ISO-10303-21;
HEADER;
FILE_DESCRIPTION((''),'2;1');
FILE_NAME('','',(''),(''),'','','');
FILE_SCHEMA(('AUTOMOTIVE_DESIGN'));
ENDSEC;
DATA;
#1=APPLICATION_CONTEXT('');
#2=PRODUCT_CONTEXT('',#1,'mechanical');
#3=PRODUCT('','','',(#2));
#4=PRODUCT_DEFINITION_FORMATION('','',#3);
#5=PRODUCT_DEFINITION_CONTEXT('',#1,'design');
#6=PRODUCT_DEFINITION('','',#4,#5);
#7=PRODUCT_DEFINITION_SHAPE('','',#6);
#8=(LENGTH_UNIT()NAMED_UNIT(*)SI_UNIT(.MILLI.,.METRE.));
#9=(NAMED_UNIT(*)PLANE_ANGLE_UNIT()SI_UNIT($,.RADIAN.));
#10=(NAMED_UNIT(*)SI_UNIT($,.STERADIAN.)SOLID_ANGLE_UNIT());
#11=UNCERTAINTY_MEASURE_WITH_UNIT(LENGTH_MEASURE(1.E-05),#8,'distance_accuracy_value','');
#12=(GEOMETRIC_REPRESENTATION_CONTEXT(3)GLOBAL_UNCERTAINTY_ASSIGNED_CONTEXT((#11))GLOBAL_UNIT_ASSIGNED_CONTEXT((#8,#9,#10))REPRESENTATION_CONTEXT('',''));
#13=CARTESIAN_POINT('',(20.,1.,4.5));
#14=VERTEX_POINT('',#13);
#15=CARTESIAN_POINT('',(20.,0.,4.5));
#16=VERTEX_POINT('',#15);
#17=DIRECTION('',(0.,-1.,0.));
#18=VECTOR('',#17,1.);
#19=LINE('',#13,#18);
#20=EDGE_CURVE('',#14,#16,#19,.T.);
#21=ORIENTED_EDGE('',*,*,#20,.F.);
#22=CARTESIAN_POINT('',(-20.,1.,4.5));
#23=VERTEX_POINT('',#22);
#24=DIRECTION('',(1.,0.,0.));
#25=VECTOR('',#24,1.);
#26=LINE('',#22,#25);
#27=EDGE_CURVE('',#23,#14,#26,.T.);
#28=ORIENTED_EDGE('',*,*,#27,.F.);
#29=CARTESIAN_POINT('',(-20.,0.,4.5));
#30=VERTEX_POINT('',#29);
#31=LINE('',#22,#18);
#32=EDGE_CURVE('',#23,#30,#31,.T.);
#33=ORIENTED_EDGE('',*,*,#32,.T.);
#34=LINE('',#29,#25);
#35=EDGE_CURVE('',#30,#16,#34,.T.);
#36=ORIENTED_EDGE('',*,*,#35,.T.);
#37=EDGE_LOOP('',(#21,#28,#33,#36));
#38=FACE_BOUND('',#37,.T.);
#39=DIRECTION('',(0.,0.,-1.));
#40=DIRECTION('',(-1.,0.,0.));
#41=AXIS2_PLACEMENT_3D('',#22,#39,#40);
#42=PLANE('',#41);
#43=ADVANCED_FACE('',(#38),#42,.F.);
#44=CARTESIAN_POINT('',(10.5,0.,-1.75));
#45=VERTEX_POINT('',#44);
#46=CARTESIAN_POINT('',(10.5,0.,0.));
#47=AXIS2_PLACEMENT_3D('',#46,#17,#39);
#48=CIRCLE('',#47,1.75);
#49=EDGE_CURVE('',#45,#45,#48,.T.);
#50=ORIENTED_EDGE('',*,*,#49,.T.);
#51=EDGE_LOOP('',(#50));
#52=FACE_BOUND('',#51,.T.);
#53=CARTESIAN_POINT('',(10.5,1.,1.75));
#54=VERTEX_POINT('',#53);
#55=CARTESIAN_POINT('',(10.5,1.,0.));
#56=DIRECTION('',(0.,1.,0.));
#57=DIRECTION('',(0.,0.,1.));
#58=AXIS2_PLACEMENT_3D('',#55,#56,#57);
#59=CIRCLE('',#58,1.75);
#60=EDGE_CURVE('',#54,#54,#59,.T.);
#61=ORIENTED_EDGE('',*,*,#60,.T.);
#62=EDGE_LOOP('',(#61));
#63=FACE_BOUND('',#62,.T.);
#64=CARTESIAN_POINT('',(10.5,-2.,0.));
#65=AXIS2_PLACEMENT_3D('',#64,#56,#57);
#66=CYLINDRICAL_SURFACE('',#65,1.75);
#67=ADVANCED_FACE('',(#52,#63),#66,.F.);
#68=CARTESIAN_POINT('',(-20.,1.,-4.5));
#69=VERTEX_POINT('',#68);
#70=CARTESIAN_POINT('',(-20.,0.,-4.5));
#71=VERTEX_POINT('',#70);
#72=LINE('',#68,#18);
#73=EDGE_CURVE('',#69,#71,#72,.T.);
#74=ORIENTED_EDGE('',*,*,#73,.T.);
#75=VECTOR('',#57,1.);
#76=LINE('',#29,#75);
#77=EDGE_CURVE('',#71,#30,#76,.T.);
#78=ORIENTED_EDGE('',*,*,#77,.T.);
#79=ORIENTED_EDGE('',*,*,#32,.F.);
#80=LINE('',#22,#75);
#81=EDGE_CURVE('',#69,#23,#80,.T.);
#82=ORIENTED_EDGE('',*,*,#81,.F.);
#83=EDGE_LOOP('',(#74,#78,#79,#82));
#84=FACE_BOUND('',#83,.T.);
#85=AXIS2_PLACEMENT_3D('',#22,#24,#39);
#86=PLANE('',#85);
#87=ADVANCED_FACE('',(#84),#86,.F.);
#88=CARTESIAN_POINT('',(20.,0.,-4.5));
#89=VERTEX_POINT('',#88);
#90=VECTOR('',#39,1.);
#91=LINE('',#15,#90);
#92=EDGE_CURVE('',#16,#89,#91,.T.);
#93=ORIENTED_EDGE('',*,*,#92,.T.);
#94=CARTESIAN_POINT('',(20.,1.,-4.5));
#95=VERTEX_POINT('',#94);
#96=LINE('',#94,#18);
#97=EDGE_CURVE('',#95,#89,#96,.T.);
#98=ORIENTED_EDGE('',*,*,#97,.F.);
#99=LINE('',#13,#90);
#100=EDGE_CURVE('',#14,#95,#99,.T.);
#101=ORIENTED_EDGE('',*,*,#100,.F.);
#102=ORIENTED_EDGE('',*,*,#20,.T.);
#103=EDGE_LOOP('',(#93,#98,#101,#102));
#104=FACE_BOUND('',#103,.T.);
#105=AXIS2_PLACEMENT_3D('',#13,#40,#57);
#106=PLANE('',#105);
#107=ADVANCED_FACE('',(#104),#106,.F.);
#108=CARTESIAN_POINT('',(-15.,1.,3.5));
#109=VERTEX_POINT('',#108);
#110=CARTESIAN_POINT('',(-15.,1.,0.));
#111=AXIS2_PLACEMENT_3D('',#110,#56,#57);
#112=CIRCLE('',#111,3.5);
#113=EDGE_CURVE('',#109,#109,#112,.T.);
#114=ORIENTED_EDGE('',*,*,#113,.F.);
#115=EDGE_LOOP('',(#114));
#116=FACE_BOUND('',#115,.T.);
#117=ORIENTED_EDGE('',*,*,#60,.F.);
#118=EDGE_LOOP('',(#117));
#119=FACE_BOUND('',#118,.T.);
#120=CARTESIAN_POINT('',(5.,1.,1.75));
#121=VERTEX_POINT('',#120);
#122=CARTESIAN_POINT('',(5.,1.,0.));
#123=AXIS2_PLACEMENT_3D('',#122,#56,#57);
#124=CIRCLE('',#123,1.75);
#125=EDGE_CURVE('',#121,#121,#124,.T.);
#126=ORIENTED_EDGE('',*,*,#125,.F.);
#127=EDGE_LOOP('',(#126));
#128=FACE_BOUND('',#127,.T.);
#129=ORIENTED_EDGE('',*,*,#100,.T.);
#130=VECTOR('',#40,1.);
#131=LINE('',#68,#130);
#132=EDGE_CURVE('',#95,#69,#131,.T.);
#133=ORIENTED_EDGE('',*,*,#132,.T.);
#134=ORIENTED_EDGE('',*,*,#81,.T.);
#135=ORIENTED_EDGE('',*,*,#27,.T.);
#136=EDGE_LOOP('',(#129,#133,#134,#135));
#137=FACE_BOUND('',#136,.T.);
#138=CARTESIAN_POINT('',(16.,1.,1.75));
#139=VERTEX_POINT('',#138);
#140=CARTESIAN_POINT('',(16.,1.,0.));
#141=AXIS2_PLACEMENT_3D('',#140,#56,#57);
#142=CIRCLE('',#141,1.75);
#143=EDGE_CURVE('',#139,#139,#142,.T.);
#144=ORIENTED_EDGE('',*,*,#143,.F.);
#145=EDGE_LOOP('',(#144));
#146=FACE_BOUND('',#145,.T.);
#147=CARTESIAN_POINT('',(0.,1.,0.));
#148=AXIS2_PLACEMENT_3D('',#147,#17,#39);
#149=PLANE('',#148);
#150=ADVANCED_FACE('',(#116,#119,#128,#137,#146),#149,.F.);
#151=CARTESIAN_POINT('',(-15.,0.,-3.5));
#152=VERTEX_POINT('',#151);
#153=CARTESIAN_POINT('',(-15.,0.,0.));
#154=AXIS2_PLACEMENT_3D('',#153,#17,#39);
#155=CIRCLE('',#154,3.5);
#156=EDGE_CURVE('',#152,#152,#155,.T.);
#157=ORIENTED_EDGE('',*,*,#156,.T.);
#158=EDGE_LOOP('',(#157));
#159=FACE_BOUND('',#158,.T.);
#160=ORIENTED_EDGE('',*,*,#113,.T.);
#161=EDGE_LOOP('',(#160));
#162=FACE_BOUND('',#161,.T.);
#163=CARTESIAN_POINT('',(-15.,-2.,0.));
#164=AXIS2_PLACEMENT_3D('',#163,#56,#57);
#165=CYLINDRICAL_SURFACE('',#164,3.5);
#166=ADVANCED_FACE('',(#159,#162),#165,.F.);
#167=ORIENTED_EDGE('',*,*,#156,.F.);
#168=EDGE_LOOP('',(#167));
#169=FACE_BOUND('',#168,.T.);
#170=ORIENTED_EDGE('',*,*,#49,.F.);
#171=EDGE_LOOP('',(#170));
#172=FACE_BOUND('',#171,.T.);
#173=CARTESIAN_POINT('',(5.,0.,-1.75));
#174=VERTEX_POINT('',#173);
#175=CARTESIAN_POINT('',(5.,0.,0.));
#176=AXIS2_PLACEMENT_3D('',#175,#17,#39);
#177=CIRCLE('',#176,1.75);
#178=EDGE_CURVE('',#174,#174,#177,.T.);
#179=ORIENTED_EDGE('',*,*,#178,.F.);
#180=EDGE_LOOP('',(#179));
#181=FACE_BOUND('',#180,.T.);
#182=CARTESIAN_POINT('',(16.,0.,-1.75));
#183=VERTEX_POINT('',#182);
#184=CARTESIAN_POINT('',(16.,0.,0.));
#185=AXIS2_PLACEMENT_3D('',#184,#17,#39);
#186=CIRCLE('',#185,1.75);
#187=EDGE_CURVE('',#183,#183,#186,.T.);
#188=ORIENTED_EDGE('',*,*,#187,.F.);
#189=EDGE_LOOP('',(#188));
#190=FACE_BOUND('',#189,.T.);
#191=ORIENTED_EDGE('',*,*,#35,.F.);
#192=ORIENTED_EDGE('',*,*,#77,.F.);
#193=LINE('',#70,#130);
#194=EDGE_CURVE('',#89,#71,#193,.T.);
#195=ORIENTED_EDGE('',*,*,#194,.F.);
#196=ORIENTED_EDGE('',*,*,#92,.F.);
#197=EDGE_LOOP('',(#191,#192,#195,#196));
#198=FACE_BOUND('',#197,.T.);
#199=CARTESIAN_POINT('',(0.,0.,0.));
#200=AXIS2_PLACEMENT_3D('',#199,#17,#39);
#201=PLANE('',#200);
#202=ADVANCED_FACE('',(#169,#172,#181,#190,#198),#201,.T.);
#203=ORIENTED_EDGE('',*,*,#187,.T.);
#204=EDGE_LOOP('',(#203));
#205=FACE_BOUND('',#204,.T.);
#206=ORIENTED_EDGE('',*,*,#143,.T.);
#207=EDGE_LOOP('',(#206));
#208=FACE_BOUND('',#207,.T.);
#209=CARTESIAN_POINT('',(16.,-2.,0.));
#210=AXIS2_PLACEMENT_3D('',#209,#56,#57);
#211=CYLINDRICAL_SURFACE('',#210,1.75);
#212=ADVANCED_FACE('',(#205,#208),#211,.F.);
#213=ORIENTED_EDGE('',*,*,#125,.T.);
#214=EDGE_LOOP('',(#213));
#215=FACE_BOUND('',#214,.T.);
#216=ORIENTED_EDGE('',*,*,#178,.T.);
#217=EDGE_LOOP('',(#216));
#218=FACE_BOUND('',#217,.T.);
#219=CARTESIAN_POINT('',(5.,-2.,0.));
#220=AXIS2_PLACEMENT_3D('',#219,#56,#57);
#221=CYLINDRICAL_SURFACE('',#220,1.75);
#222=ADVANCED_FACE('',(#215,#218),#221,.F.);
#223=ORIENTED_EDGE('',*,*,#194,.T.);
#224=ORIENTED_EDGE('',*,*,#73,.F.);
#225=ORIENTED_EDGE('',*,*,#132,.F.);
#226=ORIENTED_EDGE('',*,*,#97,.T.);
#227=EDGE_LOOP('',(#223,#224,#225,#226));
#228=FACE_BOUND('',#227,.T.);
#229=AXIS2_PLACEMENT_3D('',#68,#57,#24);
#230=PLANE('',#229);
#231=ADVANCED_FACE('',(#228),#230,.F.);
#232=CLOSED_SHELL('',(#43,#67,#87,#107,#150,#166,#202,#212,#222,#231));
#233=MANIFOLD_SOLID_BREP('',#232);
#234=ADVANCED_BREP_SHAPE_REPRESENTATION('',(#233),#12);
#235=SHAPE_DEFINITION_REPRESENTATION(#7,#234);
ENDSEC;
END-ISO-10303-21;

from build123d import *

# Parameters (mm, degrees)
SKETCH2_W           = 40
SKETCH2_H           = 9
BOSS_EXTRUDE1_DEPTH = 1
SKETCH3_R           = 3.5
CUT_EXTRUDE1_DEPTH  = 3
SKETCH4_R           = 1.75
CUT_EXTRUDE2_DEPTH  = 3
LPATTERN1_COUNT     = 3
LPATTERN1_PITCH     = 5.5


with BuildPart() as part:
    # Sketch2 → Boss-Extrude1 (new body)
    with BuildSketch(Plane(origin=(0, 0, 0), x_dir=(1, 0, 0), z_dir=(0, 1, 0))):
        Rectangle(SKETCH2_W, SKETCH2_H)
    extrude(amount=BOSS_EXTRUDE1_DEPTH)

    # Sketch3 → Cut-Extrude1 (cut)
    with BuildSketch(Plane(origin=(0, 1, 0), x_dir=(1, 0, 0), z_dir=(0, 1, 0))):
        with Locations((-15, 0)):
            Circle(SKETCH3_R)
    extrude(amount=-CUT_EXTRUDE1_DEPTH, mode=Mode.SUBTRACT)

    # Sketch4 → Cut-Extrude2 (cut)
    with BuildSketch(Plane(origin=(0, 1, 0), x_dir=(1, 0, 0), z_dir=(0, 1, 0))):
        with Locations((5, 0)):
            Circle(SKETCH4_R)
    cut_extrude2 = extrude(amount=-CUT_EXTRUDE2_DEPTH, mode=Mode.SUBTRACT)

    # LPattern1: Cut-Extrude2 ×3
    with Locations(*[(i * LPATTERN1_PITCH, 0, 0) for i in range(1, LPATTERN1_COUNT)]):
        add(cut_extrude2, mode=Mode.SUBTRACT)


solid = part.part
